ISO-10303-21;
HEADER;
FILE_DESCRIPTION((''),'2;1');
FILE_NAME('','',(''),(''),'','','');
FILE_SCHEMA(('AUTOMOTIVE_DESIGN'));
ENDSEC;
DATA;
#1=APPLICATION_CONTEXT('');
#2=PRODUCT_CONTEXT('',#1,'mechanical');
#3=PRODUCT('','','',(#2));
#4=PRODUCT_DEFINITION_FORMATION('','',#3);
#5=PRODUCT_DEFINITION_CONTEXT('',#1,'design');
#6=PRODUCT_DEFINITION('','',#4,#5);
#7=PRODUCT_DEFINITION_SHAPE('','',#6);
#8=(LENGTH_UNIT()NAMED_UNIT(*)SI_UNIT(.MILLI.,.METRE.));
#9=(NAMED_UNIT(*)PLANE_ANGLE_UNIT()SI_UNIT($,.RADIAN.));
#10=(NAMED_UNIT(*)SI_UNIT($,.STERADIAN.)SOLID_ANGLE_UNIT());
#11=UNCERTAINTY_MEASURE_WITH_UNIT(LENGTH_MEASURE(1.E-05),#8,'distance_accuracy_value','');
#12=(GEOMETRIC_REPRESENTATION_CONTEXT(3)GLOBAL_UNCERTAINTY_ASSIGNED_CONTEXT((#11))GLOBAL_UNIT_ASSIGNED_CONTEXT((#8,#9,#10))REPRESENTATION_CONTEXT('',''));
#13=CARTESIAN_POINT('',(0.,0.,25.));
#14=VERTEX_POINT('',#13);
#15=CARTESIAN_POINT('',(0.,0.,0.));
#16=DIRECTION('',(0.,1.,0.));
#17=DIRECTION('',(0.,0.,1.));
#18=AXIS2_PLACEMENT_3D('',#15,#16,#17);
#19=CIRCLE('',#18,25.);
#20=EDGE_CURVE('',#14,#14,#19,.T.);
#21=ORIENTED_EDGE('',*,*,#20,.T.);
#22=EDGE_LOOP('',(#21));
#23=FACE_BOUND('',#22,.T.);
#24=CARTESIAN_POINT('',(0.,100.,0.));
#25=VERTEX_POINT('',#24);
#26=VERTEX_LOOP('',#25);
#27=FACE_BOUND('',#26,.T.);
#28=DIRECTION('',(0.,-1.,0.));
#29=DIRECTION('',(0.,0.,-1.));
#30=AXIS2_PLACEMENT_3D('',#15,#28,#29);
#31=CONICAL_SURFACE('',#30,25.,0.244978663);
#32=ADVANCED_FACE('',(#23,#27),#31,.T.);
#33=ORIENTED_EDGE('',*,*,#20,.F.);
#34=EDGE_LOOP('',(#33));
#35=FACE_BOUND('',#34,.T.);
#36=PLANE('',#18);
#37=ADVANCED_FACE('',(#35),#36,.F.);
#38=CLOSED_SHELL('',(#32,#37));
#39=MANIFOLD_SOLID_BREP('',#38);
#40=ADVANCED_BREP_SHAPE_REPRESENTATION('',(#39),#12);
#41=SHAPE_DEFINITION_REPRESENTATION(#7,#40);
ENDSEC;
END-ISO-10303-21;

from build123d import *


with BuildPart() as part:
    # Croquis1 → Revolución1 (revolve)
    with BuildSketch(Plane.XY, mode=Mode.PRIVATE) as revoluci_n1_sk:
        Polygon((0, 0), (25, 0), (0, 100), align=None)
    revolve(revoluci_n1_sk.sketch.rotate(Axis((0, 100, 0), (0, -1, 0)), 270), axis=Axis((0, 100, 0), (0, -1, 0)))


solid = part.part
